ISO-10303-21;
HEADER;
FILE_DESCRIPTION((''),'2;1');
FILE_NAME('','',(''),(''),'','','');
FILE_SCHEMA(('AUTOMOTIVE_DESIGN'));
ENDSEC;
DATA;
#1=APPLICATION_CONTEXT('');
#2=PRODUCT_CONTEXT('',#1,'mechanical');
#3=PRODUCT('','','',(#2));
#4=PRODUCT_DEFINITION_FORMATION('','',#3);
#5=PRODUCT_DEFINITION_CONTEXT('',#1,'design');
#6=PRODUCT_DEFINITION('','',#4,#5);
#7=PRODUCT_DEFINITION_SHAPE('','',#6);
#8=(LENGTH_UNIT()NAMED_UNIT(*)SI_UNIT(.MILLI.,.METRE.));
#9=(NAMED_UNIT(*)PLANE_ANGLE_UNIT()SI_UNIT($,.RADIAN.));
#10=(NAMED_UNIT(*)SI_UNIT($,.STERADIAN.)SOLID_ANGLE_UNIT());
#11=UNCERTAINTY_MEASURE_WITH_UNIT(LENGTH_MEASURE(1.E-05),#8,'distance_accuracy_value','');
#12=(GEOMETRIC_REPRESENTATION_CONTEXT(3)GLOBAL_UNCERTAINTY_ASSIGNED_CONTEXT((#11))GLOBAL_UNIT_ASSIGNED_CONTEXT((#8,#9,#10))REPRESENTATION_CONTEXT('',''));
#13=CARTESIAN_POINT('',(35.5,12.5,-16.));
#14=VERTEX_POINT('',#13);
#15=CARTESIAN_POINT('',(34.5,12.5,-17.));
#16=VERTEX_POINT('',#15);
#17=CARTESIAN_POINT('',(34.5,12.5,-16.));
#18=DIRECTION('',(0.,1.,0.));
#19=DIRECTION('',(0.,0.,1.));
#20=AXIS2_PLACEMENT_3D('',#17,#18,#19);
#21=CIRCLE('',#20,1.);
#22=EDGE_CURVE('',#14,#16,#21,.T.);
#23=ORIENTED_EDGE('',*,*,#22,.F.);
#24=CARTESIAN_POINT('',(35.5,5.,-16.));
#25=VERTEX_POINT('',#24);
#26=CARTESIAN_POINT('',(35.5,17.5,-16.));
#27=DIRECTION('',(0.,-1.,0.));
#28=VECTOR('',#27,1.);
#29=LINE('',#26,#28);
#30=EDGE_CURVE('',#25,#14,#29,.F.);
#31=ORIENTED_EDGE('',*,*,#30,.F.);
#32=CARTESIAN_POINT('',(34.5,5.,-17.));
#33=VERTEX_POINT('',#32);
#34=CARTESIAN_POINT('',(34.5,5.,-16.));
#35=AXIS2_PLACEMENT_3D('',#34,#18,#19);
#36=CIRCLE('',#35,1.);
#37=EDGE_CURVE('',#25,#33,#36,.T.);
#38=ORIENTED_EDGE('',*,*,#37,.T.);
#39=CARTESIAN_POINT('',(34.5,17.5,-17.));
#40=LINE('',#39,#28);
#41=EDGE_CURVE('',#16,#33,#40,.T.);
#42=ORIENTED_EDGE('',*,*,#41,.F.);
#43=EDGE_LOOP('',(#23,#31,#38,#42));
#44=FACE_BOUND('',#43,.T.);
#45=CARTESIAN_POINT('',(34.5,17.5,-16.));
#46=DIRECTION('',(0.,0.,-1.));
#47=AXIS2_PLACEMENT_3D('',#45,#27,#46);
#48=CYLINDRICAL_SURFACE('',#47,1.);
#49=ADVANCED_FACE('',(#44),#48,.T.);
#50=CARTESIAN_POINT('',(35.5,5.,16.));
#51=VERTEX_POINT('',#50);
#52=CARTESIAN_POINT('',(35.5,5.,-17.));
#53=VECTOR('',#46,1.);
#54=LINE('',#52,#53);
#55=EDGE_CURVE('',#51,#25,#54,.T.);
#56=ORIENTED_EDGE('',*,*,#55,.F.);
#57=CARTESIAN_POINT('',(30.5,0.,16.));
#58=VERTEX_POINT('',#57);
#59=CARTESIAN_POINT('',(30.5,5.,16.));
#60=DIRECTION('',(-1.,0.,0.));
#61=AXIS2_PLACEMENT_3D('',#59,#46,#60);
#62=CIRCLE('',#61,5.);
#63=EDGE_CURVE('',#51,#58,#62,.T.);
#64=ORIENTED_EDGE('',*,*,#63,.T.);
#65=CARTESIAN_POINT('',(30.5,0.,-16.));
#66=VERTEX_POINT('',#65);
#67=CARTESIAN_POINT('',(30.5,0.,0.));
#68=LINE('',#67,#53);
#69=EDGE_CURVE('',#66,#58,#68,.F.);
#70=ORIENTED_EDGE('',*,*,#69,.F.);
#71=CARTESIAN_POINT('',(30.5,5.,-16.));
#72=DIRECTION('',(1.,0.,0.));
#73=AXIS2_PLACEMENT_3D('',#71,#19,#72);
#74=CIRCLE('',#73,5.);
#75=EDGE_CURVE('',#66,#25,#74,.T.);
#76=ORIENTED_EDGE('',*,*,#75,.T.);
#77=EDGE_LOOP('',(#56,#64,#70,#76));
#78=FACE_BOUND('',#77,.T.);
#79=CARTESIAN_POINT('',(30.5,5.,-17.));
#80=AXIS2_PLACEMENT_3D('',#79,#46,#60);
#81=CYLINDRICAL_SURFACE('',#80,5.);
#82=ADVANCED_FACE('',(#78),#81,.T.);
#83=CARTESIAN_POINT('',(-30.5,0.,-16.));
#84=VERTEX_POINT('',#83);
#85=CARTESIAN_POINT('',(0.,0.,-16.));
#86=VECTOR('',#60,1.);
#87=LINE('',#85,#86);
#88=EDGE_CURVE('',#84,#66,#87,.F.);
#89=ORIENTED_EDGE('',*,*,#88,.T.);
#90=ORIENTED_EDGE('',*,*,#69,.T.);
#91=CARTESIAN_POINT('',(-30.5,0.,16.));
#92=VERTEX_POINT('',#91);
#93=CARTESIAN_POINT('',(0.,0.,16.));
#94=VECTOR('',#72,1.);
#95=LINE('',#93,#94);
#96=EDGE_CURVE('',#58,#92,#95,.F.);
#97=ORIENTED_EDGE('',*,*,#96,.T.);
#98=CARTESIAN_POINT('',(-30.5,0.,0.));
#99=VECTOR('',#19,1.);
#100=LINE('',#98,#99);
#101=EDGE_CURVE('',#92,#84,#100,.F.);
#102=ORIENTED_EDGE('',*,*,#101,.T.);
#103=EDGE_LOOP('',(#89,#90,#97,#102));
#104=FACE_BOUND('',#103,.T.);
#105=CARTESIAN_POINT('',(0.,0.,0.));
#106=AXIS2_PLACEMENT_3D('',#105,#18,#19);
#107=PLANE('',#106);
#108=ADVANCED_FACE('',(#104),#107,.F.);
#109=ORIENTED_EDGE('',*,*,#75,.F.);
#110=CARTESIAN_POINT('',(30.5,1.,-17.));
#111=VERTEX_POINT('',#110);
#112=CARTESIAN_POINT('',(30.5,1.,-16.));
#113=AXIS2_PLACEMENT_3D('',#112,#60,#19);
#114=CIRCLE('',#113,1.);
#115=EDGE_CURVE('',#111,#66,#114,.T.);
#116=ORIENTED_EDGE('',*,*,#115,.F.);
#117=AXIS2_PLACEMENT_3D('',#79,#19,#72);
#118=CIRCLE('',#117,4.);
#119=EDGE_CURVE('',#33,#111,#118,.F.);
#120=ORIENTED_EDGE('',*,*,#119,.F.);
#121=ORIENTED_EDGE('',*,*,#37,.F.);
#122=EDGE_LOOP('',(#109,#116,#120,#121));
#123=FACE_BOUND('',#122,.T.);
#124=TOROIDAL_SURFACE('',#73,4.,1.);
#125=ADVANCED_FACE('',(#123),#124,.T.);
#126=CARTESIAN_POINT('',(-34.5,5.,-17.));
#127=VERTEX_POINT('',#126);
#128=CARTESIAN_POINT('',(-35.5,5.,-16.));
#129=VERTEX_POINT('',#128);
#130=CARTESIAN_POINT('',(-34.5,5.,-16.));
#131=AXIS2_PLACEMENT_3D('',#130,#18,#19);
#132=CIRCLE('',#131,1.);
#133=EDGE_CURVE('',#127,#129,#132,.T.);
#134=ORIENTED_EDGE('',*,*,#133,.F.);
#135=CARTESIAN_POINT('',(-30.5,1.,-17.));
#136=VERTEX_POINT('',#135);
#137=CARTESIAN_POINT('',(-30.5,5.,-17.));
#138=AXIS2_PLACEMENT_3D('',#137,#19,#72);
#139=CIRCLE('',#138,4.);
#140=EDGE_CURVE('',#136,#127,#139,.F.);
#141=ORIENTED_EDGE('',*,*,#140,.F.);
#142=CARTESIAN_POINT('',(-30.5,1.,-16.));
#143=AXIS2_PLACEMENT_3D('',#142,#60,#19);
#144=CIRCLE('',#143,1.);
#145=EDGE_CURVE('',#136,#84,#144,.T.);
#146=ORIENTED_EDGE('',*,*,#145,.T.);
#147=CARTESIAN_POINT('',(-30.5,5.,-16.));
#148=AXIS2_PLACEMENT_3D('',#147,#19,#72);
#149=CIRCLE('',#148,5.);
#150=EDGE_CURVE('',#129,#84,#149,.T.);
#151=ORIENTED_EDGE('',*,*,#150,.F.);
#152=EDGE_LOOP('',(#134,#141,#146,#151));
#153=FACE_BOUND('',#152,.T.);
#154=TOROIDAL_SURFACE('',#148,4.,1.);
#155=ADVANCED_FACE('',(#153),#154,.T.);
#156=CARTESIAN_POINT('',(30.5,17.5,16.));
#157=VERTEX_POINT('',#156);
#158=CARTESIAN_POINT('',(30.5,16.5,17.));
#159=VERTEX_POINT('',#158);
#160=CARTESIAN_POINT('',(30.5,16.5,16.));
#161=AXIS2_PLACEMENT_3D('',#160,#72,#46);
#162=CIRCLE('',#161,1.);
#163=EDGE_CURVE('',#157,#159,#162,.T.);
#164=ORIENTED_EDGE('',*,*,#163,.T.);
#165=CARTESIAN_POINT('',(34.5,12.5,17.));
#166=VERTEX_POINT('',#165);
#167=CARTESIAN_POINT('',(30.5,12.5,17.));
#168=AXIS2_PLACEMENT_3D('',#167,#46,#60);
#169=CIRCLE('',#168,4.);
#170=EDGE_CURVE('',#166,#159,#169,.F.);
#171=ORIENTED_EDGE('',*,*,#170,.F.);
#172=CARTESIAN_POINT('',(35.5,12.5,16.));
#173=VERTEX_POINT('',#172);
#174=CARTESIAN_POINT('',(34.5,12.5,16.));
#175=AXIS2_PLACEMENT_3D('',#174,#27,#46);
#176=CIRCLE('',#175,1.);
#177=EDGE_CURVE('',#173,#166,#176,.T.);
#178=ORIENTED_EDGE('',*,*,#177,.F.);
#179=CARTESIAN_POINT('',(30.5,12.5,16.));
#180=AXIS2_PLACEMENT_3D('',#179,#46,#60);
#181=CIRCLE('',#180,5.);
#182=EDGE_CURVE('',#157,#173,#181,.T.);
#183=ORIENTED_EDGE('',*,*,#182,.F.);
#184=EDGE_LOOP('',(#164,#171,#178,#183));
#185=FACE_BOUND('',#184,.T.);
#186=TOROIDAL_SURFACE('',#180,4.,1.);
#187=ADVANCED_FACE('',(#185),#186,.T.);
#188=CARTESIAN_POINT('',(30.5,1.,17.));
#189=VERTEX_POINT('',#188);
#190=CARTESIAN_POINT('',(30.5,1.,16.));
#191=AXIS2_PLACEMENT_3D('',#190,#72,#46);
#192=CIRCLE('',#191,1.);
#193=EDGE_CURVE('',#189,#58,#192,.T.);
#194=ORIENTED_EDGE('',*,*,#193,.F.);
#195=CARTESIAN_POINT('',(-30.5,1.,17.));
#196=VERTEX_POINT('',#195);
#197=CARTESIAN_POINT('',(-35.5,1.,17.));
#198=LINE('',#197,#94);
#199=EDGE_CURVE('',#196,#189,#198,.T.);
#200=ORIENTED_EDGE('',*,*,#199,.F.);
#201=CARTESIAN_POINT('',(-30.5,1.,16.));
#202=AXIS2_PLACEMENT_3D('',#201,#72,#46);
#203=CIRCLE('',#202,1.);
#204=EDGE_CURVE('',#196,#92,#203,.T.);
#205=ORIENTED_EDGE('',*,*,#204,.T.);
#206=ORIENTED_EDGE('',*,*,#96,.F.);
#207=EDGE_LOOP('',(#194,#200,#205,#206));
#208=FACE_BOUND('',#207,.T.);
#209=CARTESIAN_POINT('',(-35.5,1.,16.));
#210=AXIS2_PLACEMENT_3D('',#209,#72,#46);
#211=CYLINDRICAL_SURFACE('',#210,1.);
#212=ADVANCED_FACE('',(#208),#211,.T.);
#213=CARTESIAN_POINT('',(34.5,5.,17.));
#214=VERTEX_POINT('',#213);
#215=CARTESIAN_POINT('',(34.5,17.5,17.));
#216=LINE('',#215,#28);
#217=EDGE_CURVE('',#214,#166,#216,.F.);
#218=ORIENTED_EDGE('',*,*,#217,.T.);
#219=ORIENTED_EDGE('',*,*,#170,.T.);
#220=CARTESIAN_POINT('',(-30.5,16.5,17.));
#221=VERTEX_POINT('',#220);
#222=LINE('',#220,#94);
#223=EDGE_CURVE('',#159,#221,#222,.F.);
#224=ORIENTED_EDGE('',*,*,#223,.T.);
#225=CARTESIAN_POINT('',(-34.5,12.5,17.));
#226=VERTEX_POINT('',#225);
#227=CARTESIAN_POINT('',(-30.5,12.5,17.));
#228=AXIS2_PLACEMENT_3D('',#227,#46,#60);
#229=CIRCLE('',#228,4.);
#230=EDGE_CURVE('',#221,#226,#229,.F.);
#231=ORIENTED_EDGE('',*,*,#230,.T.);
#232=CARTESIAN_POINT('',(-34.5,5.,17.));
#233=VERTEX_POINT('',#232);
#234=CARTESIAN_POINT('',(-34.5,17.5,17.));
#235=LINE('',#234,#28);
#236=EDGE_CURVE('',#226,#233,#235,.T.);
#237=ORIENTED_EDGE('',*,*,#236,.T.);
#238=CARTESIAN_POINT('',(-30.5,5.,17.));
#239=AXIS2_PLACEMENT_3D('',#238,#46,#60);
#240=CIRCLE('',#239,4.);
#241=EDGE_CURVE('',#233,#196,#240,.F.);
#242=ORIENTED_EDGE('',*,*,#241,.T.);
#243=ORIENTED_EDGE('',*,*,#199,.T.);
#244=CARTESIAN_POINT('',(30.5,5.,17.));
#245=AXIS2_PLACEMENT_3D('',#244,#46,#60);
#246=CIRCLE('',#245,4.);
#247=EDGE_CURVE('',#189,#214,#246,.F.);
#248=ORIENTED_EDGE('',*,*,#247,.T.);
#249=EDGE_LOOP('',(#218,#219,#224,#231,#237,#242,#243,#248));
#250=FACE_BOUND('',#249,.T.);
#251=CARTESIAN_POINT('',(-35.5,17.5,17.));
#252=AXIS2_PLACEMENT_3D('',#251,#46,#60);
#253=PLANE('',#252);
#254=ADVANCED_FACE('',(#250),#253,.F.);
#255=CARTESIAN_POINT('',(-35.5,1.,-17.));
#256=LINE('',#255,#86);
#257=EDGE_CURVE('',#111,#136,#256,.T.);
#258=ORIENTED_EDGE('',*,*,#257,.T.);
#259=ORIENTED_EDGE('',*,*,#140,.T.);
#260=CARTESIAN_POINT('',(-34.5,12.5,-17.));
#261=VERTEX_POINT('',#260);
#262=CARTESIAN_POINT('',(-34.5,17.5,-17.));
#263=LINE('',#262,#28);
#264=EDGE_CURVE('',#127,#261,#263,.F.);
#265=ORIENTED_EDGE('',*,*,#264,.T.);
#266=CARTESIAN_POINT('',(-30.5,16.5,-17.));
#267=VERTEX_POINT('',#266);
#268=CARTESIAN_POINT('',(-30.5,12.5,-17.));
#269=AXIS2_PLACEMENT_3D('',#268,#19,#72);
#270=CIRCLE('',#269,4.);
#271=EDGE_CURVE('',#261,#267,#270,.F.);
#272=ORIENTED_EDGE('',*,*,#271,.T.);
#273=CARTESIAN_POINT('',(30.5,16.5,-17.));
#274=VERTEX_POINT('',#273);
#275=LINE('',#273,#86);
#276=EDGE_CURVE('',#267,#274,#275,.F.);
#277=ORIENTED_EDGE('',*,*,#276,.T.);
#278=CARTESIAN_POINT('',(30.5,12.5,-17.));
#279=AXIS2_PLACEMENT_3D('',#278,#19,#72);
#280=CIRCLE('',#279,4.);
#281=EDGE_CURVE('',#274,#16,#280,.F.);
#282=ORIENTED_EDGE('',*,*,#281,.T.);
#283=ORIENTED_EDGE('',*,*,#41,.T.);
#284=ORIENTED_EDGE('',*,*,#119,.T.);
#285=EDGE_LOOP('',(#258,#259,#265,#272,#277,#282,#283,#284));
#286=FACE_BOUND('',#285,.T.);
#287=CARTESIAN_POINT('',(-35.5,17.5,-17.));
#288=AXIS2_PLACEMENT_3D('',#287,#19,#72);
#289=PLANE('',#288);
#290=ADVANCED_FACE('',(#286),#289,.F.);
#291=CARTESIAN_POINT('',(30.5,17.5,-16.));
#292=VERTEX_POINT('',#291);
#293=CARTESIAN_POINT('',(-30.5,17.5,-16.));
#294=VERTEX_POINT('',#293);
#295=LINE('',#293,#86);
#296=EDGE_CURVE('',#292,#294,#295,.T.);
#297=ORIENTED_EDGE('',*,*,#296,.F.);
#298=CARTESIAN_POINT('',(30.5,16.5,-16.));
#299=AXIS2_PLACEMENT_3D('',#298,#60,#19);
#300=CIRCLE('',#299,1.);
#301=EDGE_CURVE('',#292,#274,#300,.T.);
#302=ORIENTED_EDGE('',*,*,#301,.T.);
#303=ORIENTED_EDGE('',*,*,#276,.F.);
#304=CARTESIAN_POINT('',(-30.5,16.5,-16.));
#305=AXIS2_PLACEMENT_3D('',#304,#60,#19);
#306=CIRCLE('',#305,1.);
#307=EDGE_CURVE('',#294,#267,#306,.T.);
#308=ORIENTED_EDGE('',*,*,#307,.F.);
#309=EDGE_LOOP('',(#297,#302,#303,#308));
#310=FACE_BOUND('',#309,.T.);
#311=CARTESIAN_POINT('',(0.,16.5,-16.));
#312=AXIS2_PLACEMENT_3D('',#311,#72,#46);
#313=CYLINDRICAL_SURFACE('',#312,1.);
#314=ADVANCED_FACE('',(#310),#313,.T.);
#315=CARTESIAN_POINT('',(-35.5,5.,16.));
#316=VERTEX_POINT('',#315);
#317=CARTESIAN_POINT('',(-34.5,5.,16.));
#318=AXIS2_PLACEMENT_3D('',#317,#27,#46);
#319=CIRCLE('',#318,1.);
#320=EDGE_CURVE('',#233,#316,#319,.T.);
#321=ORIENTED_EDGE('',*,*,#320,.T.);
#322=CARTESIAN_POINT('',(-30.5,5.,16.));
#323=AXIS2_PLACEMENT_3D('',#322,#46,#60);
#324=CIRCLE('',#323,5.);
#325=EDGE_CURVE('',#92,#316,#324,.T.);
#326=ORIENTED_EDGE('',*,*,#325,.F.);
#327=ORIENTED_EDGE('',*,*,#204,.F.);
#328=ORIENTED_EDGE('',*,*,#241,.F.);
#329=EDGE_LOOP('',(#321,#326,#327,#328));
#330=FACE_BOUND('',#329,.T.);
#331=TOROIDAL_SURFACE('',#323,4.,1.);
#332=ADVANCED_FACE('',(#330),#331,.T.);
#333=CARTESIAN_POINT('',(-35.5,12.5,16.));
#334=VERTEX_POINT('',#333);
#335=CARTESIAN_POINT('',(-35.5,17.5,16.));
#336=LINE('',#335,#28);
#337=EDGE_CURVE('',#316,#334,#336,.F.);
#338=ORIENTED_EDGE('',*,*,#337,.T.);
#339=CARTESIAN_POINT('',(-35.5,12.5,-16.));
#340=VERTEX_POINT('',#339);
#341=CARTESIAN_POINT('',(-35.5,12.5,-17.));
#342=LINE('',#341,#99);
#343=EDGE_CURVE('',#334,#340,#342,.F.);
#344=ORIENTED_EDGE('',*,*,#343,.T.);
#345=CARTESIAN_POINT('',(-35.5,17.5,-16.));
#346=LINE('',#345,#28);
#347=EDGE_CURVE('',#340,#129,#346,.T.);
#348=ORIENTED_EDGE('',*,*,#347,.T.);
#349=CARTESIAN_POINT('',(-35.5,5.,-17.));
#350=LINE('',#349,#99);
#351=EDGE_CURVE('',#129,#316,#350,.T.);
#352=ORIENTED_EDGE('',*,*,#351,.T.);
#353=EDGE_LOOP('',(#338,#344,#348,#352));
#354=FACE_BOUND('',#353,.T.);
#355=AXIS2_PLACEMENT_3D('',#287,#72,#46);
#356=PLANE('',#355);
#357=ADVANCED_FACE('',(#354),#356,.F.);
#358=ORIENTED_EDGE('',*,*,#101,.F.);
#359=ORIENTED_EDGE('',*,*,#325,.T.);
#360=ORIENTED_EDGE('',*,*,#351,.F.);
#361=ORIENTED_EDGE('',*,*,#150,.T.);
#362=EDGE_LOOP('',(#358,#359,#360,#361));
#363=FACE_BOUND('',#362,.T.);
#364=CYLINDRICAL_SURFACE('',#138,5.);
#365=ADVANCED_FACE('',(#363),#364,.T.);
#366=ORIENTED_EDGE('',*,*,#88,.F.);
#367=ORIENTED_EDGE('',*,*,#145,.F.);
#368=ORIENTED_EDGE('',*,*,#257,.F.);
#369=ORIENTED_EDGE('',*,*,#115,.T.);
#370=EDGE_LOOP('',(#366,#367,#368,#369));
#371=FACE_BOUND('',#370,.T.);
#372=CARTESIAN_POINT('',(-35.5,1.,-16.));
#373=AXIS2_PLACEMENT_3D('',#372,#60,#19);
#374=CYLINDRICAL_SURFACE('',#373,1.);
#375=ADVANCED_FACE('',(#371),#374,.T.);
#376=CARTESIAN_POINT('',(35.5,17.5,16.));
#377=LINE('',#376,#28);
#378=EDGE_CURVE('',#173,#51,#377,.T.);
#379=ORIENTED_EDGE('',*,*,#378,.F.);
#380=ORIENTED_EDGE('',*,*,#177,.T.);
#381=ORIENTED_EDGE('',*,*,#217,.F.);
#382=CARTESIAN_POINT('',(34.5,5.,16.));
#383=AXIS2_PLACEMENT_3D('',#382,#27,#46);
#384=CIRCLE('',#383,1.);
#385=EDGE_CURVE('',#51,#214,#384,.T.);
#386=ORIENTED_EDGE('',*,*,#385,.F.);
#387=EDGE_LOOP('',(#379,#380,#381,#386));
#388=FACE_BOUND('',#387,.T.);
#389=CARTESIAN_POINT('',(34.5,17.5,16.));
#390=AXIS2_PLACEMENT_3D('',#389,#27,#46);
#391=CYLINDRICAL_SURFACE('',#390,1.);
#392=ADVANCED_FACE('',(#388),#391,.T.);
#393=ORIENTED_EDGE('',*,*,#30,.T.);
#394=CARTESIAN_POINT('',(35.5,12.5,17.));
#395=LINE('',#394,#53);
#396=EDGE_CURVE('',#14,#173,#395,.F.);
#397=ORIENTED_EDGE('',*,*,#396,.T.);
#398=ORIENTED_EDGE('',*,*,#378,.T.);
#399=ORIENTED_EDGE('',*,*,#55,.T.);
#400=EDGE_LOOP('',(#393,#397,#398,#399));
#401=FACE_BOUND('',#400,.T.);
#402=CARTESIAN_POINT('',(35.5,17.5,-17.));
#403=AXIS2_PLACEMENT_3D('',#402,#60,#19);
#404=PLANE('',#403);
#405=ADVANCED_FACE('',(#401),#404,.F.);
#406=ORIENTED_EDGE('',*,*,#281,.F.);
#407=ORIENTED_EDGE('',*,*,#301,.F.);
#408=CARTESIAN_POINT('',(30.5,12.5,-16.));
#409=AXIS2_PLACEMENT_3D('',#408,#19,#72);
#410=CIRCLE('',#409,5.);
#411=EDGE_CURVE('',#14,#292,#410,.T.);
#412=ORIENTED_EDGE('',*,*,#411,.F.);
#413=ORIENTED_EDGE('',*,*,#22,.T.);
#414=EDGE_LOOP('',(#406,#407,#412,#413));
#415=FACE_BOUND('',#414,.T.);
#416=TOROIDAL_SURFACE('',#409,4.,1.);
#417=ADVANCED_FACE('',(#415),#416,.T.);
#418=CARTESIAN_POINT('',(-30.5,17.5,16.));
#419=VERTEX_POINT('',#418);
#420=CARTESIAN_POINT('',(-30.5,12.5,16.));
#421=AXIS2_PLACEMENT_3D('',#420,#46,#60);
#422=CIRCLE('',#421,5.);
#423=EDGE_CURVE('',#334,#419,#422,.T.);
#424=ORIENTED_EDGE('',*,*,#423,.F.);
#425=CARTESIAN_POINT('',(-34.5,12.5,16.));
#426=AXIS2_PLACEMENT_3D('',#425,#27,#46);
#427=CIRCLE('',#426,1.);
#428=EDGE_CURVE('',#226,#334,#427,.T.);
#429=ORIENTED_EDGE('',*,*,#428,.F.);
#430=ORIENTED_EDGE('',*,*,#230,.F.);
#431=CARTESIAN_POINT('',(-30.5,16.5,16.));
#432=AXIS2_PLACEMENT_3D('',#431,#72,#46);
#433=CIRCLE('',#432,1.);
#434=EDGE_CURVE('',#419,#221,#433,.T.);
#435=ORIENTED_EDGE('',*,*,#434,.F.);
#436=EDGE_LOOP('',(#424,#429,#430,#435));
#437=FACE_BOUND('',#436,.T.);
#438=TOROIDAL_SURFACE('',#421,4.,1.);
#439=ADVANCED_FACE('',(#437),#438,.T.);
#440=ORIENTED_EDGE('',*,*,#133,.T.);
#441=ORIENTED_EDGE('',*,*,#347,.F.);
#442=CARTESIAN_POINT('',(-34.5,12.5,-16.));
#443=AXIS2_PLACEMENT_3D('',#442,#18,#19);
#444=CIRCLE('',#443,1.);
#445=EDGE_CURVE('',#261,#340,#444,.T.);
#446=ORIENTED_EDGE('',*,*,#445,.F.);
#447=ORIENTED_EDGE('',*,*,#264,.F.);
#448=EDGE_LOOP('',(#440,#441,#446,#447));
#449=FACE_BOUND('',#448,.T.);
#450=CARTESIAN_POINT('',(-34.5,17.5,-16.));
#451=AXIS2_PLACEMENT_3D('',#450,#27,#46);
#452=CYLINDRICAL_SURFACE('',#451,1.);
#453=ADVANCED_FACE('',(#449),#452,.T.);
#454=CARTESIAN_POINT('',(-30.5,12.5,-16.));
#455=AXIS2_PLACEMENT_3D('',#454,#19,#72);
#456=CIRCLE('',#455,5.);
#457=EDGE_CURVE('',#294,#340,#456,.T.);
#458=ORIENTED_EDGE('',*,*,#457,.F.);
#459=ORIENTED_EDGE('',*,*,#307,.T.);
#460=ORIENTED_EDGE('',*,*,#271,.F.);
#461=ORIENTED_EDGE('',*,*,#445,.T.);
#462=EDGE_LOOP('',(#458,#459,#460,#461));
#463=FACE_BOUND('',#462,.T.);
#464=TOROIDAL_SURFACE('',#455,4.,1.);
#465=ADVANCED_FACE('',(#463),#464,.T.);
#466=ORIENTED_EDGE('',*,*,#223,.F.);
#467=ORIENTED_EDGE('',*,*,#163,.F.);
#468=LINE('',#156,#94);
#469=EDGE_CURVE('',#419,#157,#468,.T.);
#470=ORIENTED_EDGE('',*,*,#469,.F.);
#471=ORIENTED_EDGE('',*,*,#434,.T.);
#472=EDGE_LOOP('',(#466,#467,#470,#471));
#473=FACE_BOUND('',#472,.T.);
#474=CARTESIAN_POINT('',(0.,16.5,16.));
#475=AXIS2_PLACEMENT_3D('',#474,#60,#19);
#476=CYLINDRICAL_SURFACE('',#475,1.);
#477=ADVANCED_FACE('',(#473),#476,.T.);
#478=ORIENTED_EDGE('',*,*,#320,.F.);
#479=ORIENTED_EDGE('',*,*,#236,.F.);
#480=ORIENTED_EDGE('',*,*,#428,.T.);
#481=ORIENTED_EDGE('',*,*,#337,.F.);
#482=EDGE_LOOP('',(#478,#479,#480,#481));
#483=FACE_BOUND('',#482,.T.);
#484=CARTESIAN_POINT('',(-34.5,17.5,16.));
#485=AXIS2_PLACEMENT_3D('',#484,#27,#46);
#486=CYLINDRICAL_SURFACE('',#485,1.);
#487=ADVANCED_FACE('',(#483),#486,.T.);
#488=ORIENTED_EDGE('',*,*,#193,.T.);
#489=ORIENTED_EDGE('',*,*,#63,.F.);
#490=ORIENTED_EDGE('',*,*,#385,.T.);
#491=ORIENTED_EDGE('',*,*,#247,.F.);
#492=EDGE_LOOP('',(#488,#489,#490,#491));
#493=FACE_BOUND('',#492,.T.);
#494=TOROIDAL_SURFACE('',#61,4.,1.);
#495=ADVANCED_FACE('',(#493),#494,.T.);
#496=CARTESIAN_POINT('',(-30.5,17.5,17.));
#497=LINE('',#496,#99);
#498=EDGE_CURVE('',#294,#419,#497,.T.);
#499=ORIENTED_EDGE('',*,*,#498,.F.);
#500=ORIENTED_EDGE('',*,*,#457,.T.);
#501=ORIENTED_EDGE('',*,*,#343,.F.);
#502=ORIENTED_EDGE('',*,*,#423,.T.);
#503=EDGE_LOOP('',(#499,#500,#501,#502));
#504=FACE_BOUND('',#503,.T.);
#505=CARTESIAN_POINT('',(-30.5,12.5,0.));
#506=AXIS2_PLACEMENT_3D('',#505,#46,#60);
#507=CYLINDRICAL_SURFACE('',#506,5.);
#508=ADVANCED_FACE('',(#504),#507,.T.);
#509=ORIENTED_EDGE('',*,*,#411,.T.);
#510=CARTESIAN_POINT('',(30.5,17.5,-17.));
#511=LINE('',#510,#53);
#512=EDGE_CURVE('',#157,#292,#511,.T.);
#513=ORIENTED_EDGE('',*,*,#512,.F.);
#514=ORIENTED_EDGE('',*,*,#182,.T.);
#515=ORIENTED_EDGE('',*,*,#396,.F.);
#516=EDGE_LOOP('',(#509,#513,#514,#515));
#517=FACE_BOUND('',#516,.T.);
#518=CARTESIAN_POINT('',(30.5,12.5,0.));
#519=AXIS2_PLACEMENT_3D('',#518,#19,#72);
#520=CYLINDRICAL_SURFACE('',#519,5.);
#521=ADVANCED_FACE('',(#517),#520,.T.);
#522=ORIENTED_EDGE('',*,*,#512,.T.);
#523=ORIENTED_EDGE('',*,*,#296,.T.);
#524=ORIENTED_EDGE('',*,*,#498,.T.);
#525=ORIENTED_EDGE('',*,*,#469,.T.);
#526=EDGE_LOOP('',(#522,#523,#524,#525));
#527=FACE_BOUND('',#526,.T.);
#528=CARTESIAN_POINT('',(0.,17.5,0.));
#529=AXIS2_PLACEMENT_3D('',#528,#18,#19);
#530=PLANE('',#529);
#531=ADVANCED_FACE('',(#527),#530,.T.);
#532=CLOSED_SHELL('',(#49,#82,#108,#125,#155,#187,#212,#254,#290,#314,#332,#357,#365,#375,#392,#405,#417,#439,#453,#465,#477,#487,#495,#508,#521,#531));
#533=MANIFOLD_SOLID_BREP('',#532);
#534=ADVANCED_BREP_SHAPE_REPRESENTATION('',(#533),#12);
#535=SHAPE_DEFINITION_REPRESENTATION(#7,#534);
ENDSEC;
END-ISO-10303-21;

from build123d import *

# Parameters (mm, degrees)
SKETCH2_W           = 71
SKETCH2_H           = 34
BOSS_EXTRUDE1_DEPTH = 17.5
FILLET1_R           = 5
FILLET2_R           = 1


with BuildPart() as part:
    # Sketch2 → Boss-Extrude1 (new body)
    with BuildSketch(Plane(origin=(0, 0, 0), x_dir=(1, 0, 0), z_dir=(0, 1, 0))):
        Rectangle(SKETCH2_W, SKETCH2_H)
    extrude(amount=BOSS_EXTRUDE1_DEPTH)

    # Fillet1
    fillet1_edges = [part.edges().sort_by_distance(p)[0] for p in [
        (-35.5, 17.5, 0),
        (35.5, 17.5, 0),
        (-35.5, 0, 0),
        (35.5, 0, 0),
    ]]
    fillet(fillet1_edges, radius=FILLET1_R)

    # Fillet2
    fillet2_edges = [part.edges().sort_by_distance(p)[0] for p in [
        (0, 17.5, -17),
        (0, 17.5, 17),
        (0, 0, -17),
        (-35.5, 8.75, -17),
        (35.5, 8.75, -17),
        (-34.035533906, 16.035533906, -17),
        (-34.035533906, 1.464466094, -17),
        (34.035533906, 1.464466094, -17),
        (34.035533906, 16.035533906, -17),
        (35.5, 8.75, 17),
        (0, 0, 17),
        (-35.5, 8.75, 17),
        (-34.035533906, 16.035533906, 17),
        (-34.035533906, 1.464466094, 17),
        (34.035533906, 1.464466094, 17),
        (34.035533906, 16.035533906, 17),
    ]]
    fillet(fillet2_edges, radius=FILLET2_R)


solid = part.part
